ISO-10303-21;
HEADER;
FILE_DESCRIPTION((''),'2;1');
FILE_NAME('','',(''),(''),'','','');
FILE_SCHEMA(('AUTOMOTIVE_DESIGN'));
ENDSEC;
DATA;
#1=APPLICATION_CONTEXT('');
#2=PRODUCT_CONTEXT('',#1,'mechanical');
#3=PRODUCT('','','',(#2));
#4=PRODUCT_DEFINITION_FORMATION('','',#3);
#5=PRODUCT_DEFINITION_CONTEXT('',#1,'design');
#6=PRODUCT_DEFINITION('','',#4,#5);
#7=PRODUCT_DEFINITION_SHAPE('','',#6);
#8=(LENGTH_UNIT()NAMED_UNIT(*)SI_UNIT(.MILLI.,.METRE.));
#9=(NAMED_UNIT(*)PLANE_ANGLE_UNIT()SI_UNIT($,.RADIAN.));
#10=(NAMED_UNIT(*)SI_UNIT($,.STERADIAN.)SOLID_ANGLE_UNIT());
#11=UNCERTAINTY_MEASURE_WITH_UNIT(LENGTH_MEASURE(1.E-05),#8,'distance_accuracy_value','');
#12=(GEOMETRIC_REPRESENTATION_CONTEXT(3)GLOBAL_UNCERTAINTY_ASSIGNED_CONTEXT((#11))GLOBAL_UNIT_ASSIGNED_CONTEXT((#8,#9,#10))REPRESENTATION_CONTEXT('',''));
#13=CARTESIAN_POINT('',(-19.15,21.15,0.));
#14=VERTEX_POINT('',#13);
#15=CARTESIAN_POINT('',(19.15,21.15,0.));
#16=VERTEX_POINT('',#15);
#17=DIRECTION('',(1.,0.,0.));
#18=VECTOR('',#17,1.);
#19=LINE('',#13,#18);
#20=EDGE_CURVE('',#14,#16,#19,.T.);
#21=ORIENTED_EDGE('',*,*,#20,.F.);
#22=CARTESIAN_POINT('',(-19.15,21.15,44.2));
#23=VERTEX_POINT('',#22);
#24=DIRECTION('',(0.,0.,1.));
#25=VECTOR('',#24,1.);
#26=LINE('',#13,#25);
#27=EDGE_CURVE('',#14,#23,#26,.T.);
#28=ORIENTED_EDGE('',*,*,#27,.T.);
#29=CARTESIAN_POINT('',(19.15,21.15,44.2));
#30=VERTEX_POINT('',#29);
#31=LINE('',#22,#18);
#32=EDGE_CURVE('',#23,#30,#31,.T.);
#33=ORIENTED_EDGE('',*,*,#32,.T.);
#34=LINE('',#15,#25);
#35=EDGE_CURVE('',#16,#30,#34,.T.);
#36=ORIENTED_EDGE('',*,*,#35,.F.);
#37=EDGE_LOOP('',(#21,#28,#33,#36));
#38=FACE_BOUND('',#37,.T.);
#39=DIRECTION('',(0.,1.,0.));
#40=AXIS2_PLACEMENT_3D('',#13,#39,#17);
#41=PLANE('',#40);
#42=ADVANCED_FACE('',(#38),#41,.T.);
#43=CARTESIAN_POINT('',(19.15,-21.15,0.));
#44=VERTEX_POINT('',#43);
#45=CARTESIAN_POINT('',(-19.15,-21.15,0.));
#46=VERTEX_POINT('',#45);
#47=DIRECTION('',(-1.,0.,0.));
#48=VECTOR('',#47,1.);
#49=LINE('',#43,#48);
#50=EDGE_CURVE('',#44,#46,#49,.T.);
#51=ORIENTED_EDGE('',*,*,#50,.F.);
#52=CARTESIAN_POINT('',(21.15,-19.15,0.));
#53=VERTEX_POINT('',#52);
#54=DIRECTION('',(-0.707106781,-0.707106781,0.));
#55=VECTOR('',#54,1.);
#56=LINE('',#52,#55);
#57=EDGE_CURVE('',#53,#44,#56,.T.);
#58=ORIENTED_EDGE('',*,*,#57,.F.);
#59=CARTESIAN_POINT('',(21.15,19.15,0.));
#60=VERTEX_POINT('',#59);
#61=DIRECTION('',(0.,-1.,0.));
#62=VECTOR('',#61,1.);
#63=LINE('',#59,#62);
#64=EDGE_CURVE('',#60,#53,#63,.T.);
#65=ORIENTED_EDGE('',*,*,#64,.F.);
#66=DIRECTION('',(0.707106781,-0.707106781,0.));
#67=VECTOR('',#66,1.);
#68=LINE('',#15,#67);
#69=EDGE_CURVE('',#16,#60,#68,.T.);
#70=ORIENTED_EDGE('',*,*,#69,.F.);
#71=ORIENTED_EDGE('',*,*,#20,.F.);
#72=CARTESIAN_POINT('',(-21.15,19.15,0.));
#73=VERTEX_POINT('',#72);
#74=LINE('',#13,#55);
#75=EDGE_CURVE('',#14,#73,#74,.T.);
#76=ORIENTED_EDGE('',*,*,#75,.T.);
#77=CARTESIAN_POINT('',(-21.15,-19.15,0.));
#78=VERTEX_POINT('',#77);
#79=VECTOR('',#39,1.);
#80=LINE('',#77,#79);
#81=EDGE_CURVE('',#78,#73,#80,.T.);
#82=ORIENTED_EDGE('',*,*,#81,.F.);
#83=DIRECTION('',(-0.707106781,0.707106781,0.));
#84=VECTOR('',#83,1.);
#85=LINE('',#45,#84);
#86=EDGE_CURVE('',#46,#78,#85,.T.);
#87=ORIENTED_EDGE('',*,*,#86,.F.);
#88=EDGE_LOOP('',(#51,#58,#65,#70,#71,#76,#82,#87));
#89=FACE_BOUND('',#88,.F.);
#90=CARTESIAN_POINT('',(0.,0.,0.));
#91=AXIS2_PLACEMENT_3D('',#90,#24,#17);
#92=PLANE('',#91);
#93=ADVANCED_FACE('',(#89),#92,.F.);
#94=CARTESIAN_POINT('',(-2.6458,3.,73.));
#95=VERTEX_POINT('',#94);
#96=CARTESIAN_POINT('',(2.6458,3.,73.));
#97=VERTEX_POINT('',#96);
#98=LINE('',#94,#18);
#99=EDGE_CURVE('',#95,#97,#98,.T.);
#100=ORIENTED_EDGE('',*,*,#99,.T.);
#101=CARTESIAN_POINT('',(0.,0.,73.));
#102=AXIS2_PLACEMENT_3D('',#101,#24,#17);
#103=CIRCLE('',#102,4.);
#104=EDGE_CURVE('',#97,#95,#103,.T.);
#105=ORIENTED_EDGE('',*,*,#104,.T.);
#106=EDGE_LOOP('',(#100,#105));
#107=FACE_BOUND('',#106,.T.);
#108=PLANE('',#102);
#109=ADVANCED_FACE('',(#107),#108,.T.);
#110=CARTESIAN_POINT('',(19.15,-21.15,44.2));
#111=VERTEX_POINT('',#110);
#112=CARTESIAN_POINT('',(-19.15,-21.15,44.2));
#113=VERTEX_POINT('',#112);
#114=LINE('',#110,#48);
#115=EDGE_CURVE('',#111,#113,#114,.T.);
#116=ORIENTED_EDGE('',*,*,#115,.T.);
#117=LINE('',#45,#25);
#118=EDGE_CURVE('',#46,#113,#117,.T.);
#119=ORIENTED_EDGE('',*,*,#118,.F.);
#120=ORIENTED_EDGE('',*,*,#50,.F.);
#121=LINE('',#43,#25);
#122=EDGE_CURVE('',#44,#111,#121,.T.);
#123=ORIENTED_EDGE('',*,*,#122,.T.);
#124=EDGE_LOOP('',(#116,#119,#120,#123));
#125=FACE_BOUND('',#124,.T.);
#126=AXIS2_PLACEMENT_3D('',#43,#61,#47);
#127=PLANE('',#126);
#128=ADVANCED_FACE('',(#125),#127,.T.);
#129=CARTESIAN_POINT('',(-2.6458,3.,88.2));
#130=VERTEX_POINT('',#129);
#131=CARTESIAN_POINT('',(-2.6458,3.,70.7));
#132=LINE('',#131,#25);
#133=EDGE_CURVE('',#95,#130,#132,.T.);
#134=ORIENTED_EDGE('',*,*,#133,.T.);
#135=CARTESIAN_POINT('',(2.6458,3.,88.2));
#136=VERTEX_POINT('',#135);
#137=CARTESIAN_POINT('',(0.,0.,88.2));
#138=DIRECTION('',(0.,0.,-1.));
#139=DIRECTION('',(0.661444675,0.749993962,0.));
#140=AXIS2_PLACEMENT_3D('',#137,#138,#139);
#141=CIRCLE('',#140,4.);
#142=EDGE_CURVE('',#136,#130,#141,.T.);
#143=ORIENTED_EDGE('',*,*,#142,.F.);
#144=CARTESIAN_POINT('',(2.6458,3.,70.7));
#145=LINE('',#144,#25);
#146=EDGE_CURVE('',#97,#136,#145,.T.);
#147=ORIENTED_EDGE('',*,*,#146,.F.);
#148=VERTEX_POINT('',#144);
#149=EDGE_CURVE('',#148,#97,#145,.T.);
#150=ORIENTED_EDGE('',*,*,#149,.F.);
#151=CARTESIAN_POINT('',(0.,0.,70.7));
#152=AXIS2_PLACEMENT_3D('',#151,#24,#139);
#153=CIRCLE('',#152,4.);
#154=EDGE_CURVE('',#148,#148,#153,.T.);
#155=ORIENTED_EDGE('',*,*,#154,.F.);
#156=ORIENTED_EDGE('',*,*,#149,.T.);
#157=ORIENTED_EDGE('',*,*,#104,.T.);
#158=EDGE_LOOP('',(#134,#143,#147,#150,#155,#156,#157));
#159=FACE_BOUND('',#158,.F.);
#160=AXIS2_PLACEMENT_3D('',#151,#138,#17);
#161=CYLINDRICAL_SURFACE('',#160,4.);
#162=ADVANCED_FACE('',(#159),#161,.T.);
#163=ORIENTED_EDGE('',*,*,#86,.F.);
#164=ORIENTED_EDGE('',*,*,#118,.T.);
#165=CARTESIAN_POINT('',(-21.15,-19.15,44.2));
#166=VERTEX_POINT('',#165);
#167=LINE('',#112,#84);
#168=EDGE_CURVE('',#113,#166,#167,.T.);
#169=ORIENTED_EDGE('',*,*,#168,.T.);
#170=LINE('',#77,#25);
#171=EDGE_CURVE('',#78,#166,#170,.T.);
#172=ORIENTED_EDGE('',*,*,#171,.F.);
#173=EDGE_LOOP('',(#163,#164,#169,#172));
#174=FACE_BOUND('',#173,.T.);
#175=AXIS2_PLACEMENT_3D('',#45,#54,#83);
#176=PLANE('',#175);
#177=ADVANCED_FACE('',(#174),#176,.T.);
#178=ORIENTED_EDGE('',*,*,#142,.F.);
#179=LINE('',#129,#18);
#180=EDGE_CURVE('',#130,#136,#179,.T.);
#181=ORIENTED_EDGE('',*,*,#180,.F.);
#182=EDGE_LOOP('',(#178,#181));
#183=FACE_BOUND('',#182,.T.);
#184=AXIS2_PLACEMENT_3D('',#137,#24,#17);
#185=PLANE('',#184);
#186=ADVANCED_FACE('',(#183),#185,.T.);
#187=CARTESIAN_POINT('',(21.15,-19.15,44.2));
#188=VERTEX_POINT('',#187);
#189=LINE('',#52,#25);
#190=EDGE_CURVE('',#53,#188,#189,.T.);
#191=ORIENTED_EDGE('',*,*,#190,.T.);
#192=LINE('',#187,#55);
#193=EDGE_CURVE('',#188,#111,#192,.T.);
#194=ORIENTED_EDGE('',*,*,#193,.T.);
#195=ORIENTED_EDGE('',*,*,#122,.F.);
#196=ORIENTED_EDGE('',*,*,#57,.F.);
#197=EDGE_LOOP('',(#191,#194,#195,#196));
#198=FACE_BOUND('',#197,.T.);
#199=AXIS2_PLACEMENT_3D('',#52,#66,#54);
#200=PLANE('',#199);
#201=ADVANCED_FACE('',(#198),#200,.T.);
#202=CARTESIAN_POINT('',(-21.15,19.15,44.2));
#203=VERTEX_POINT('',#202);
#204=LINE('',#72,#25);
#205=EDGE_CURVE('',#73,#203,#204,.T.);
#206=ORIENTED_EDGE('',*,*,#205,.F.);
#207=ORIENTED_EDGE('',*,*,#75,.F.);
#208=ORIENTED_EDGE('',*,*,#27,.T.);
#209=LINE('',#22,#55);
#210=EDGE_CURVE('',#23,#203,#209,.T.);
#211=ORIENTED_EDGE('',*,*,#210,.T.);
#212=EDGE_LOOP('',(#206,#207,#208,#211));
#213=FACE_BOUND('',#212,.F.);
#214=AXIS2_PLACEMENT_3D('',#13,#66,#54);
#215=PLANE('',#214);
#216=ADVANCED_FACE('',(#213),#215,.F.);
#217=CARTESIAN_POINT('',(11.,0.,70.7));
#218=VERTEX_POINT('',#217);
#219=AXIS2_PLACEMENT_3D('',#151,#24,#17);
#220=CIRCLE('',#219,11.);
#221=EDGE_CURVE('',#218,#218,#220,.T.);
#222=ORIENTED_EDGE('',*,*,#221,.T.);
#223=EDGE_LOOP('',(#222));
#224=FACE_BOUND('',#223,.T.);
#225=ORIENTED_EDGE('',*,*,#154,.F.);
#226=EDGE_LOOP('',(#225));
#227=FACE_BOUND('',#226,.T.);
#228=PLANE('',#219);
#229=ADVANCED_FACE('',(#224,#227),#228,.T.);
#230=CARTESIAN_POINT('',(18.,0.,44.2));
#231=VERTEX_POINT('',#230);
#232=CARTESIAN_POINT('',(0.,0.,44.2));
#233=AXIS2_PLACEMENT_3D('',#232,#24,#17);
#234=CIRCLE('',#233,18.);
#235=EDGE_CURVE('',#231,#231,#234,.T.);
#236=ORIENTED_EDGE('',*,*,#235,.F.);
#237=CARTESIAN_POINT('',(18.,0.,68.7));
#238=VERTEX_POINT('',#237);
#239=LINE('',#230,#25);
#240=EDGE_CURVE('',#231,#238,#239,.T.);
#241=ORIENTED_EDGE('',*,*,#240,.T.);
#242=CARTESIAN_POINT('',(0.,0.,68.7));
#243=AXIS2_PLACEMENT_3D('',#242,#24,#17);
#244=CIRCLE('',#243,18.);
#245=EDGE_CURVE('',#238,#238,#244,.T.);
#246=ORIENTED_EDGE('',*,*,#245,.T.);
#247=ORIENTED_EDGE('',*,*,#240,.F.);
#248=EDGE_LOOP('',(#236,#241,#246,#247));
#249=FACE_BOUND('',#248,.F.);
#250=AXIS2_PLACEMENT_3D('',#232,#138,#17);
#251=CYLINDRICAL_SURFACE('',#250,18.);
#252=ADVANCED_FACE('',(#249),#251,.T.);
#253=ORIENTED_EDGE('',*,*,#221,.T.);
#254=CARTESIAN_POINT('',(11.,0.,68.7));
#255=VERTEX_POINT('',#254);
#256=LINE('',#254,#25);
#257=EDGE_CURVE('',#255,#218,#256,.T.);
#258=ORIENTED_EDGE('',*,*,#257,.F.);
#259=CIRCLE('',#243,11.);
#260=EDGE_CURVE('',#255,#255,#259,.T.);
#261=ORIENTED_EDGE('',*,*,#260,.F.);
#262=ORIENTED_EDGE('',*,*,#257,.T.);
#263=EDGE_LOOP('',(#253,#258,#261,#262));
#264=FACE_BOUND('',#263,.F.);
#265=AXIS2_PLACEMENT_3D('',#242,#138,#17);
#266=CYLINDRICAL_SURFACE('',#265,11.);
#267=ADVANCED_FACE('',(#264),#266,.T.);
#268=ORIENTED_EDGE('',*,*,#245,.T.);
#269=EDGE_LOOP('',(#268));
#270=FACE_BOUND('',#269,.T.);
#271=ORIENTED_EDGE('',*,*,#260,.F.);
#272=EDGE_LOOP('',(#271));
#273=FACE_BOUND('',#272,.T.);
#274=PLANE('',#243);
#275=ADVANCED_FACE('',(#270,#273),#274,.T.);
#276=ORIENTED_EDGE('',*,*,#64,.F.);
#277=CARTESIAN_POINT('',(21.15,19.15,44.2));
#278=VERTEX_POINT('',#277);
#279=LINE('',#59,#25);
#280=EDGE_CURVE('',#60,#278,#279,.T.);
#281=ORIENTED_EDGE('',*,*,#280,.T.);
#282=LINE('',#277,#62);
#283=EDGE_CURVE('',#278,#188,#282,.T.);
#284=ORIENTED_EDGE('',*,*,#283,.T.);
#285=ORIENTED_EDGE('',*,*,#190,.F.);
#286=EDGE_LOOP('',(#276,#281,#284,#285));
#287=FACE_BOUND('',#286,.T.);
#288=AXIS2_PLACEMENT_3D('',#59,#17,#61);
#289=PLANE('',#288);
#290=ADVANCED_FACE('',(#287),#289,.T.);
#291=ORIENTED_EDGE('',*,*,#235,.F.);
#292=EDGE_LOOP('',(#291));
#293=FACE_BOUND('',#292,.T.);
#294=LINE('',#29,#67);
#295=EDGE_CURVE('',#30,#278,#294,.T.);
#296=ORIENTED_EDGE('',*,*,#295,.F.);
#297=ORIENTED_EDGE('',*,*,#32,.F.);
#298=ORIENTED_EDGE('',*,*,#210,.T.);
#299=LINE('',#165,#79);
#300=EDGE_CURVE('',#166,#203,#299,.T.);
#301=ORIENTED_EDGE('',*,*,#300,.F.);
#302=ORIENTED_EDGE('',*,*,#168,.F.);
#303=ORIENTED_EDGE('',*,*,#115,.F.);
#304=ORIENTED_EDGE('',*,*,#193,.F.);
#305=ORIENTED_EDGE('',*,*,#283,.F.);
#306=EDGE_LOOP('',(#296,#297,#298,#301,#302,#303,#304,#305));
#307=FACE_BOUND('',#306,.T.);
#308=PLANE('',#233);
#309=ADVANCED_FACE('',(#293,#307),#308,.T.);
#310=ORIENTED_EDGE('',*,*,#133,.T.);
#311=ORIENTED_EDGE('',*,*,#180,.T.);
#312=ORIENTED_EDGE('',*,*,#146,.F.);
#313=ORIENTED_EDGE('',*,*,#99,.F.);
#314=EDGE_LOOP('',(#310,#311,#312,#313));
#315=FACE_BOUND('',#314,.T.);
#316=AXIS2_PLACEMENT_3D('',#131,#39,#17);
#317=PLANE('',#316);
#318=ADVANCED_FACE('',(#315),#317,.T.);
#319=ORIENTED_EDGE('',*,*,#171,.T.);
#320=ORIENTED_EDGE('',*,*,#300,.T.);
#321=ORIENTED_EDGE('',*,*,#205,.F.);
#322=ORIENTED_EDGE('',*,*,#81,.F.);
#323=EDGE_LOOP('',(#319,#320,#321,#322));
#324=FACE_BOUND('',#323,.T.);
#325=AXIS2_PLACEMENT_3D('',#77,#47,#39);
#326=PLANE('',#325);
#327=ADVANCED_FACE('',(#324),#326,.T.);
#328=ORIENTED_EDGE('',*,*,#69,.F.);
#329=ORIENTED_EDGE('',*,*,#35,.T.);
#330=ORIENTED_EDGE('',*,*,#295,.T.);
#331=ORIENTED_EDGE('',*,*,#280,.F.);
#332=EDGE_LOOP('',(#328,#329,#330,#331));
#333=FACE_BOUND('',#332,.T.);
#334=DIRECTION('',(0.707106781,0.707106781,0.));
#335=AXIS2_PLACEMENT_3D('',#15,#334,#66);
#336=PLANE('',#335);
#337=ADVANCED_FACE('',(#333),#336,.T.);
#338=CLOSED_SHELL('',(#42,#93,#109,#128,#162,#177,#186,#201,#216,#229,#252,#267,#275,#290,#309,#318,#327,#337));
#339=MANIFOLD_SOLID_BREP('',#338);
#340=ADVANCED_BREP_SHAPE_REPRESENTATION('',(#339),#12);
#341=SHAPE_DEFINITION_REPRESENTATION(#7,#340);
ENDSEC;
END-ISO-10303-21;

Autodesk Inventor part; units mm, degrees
ref_plane "YZ Plane" through (0, 0, 0) normal (1, 0, 0) x (0, 1, 0)
ref_plane "XZ Plane" through (0, 0, 0) normal (0, 1, 0) x (-1, 0, 0)
ref_plane "XY Plane" through (0, 0, 0) normal (0, 0, 1) x (1, 0, 0)
sketch "Sketch1" plane through (0, 0, 0) normal (0, 0, 1) x (1, 0, 0)
  line L0 (-19.15, 21.15) -> (19.15, 21.15)
  line L1 (21.15, 19.15) -> (21.15, -19.15)
  line L2 (19.15, -21.15) -> (-19.15, -21.15)
  line L3 (-21.15, -19.15) -> (-21.15, 19.15)
  line L4 (-19.15, 21.15) -> (-21.15, 19.15)
  line L5 (-19.15, -21.15) -> (-21.15, -19.15)
  line L6 (21.15, -19.15) -> (19.15, -21.15)
  line L7 (19.15, 21.15) -> (21.15, 19.15)
  point P0 (0, 0)
  point P1 (-21.15, 21.15)
  point P2 (21.15, -21.15)
  point P3 (21.15, 21.15)
  point P4 (-21.15, -21.15)
  point P5 (-21.15, 0)
  point P6 (0, 21.15)
  dimension "d0" = 2
  dimension "d1" = 2
  dimension "d2" = 2
  dimension "d3" = 2
  dimension "d4" = 2
  dimension "d5" = 2
  dimension "d6" = 2
  dimension "d7" = 2
  dimension "d8" = 42.3
  dimension "d9" = 42.3
extrude "Extrusion1" add sketch "Sketch1" along normal blind 44.2
sketch "Sketch2" plane through (0, 0, 44.2) normal (0, 0, 1) x (1, 0, 0)
  circle A0 centre (0, 0) radius 18
  dimension "d12" = 36
extrude "Extrusion2" add sketch "Sketch2" along normal blind 24.5
sketch "Sketch3" plane through (0, 0, 68.7) normal (0, 0, 1) x (1, 0, 0)
  circle A0 centre (0, 0) radius 11
  dimension "d15" = 22
extrude "Extrusion3" add sketch "Sketch3" along normal blind 2
sketch "Sketch4" plane through (0, 0, 70.7) normal (0, 0, 1) x (1, 0, 0)
  circle A0 centre (0, 0) radius 4
  line L0 (-2.6458, 3) -> (2.6458, 3)
  dimension "d18" = 8
  dimension "d19" = 7
extrude "Extrusion4" add sketch "Sketch4" along normal blind 17.5 contours A0 L0 picked at (-1.0918, 0.7386)
extrude "Extrusion5" add sketch "Sketch4" along normal blind 2.3 contours L0 A0 picked at (-0.6179, 3.1815)
equation "\"d1\" = d0"
equation "\"d2\" = d0"
equation "\"d3\" = d2"
equation "\"d4\" = d0"
equation "\"d5\" = d4"
equation "\"d6\" = d0"
equation "\"d7\" = d6"
equation "\"d9\" = d8"
properties part number "Gearmotor"
